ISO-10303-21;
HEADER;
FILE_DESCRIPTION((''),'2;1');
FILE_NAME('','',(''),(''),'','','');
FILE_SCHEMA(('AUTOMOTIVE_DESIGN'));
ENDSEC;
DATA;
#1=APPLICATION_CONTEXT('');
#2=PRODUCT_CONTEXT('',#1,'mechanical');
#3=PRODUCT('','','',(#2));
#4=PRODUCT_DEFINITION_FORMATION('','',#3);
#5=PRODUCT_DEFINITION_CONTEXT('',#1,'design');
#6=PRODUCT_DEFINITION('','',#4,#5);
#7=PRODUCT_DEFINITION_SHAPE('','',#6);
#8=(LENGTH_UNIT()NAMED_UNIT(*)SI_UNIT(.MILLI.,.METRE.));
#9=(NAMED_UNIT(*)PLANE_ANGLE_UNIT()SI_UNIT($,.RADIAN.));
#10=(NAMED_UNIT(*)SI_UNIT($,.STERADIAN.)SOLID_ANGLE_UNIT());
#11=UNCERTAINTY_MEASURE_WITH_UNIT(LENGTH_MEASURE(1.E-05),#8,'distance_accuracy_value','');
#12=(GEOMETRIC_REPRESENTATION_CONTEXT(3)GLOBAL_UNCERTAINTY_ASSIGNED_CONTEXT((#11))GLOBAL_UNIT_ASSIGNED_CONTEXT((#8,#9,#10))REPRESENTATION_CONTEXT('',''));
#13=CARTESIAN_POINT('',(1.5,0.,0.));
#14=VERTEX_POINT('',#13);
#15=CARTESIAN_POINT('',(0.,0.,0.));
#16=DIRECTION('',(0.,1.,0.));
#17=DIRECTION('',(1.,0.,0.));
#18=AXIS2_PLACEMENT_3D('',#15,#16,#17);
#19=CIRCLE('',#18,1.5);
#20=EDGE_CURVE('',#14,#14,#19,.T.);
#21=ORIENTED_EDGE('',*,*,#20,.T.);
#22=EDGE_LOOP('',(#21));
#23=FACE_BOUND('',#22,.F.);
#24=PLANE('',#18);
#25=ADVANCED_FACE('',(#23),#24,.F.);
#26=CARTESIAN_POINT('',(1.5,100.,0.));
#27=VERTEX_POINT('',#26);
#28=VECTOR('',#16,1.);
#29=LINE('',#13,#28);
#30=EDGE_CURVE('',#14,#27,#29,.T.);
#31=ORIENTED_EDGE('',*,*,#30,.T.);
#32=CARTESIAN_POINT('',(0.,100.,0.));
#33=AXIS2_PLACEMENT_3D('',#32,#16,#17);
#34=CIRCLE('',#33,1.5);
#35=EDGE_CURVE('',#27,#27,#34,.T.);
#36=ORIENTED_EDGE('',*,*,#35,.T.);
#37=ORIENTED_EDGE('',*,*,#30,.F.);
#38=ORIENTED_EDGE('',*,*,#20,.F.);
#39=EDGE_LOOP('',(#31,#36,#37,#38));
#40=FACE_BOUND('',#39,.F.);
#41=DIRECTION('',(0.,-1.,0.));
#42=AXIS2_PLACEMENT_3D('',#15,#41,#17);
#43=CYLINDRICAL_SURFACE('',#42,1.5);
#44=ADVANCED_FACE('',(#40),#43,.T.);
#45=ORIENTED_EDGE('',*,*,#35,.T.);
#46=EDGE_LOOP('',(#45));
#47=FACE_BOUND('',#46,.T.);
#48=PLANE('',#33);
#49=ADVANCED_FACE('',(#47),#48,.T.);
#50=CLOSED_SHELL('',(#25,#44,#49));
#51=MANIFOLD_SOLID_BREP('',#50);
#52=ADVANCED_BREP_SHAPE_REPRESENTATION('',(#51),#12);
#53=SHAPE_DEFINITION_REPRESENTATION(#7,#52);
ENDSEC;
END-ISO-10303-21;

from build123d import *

# Parameters (mm, degrees)
SKETCH_2_R      = 1.5
EXTRUDE_1_DEPTH = 100


with BuildPart() as part:
    # Эскиз2 → Бобышка-Вытянуть1 (new body)
    with BuildSketch(Plane(origin=(0, 0, 0), x_dir=(1, 0, 0), z_dir=(0, 1, 0))):
        Circle(SKETCH_2_R)
    extrude(amount=EXTRUDE_1_DEPTH)


solid = part.part
